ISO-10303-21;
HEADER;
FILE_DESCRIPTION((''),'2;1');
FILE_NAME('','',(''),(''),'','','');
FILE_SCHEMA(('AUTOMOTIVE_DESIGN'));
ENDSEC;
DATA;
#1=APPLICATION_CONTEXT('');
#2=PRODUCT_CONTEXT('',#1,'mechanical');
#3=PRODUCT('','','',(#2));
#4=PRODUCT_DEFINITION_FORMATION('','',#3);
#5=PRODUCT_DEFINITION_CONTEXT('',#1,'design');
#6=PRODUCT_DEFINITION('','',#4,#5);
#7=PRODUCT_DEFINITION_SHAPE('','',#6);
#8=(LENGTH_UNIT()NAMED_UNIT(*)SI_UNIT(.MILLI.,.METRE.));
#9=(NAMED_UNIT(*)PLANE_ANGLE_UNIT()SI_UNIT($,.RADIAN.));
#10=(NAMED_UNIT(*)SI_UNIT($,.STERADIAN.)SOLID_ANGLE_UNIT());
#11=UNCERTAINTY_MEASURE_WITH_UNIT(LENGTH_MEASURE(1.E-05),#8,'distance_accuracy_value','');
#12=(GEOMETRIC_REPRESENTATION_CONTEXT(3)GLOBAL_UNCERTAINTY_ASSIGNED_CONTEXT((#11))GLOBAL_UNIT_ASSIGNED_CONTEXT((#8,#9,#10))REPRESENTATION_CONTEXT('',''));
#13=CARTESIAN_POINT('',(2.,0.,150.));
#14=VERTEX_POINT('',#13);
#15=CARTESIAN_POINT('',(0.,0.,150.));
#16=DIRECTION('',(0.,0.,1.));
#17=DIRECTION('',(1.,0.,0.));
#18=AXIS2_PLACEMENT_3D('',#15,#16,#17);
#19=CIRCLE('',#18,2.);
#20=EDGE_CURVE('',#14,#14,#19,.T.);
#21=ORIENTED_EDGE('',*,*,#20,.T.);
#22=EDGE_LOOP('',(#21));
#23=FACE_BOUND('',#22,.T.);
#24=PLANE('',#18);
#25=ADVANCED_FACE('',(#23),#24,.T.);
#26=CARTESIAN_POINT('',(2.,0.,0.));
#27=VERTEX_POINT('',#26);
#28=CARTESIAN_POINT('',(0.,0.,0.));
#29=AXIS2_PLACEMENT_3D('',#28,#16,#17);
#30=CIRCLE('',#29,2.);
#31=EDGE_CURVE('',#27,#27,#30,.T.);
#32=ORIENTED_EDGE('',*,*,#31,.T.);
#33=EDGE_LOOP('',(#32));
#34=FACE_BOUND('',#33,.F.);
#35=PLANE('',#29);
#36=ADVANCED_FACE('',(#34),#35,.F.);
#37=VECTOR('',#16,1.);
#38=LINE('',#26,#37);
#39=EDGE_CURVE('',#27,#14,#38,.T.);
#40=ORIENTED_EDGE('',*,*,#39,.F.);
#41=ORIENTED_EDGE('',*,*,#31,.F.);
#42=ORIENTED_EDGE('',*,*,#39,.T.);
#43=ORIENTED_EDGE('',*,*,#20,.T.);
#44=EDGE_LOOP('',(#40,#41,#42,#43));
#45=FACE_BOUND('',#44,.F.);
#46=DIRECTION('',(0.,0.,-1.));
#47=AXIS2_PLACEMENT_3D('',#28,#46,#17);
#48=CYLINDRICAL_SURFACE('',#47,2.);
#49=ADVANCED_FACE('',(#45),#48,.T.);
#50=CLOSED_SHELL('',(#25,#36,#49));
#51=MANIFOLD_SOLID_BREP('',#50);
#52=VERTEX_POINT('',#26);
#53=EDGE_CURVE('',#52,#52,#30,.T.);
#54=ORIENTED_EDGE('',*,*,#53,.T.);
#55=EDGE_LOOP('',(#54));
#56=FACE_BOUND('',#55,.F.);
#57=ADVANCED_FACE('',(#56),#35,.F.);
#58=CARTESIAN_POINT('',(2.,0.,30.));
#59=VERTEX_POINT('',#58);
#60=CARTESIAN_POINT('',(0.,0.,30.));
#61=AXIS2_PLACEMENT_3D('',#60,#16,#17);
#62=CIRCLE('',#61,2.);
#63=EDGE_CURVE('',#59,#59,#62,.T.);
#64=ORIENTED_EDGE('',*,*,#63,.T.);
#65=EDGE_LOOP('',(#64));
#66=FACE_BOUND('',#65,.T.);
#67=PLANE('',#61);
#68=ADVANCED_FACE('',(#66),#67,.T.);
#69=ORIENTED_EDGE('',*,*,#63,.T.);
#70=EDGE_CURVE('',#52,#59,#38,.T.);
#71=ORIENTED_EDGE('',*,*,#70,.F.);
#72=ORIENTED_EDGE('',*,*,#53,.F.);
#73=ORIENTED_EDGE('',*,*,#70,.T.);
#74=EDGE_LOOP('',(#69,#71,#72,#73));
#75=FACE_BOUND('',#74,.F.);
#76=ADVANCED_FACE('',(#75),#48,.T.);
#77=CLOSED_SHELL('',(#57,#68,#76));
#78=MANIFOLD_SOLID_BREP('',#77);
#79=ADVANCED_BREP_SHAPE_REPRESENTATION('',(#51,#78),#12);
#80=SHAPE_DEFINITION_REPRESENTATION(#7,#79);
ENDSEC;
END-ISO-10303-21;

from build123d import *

# Parameters (mm, degrees)
F0_R     = 2
F1_DEPTH = 150
F2_DEPTH = 30


with BuildPart() as f1:
    # F0 (on Top) → F1 (new body)
    with BuildSketch(Plane.XY):
        Circle(F0_R)
    extrude(amount=F1_DEPTH)


with BuildPart() as f2:
    # F0 (on Top) → F2 (new body)
    with BuildSketch(Plane.XY):
        Circle(F0_R)
    extrude(amount=F2_DEPTH)


solid = Compound([f1.part, f2.part])
